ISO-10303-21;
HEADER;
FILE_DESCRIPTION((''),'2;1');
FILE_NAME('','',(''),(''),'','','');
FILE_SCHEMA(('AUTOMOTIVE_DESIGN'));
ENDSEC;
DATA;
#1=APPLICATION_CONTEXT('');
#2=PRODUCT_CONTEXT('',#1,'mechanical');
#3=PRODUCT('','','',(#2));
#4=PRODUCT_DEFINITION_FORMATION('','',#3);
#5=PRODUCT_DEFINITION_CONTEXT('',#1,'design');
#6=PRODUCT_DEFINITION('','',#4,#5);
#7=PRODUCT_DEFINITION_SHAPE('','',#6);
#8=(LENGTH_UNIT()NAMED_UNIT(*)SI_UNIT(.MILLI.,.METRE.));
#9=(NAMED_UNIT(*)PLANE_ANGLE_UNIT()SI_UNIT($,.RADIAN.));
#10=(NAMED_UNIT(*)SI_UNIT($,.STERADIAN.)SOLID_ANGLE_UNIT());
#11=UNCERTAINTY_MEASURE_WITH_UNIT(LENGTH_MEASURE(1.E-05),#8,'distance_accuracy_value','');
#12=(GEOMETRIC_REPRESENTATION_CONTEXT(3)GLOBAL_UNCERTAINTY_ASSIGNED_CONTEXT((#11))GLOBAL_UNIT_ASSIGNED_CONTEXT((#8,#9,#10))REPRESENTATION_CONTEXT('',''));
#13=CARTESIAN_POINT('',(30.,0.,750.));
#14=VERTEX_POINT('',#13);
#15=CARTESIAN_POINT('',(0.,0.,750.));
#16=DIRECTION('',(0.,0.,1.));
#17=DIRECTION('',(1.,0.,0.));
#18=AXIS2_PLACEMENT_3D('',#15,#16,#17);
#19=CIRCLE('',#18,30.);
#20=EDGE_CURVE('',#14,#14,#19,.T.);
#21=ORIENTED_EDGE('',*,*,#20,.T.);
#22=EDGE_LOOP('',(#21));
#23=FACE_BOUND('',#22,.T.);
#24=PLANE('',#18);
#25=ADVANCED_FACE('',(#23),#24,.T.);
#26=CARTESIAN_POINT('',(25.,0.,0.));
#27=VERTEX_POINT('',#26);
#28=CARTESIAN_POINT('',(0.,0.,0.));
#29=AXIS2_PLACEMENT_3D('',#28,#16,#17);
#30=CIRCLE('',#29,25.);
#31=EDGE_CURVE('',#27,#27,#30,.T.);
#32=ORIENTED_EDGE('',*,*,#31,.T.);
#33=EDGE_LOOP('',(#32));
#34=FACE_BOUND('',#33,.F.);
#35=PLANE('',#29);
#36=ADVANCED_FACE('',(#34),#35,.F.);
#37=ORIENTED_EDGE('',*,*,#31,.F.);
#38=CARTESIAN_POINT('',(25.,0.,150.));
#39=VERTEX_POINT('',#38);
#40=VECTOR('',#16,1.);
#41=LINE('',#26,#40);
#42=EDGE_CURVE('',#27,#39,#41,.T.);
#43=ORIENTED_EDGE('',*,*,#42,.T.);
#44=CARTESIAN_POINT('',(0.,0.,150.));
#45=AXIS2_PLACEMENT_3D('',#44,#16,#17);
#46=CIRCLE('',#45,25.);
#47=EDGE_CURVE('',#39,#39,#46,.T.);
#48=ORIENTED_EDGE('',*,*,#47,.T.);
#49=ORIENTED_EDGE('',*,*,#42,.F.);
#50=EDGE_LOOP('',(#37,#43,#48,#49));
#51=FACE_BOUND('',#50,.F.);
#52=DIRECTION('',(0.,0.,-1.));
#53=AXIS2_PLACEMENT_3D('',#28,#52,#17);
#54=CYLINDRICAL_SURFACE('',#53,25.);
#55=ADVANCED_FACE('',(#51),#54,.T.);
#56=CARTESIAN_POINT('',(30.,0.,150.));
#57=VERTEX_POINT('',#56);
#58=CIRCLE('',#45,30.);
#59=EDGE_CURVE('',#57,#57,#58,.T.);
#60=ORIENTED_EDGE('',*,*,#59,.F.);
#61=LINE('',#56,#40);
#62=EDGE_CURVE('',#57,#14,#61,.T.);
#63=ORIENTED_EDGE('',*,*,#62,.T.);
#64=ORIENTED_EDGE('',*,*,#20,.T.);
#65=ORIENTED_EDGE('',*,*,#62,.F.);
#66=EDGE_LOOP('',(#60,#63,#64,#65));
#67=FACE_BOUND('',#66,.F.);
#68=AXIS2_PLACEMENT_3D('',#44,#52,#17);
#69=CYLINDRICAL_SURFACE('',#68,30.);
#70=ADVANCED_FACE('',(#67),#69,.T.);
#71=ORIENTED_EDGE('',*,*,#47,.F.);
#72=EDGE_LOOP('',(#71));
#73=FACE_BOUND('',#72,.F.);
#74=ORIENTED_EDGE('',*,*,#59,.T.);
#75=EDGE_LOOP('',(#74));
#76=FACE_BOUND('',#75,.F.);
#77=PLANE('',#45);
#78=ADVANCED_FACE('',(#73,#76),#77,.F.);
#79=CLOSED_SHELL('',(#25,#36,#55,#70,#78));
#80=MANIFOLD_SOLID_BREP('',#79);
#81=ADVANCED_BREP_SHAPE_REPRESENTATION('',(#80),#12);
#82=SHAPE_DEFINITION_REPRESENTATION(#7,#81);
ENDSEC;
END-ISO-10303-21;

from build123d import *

# Parameters (mm, degrees)
F0_R     = 25
F1_DEPTH = 750
F2_START = 150
F0_R_2   = 30
F2_DEPTH = 600


with BuildPart() as f1:
    # F0 (on Top) → F1 (new body)
    with BuildSketch(Plane.XY):
        Circle(F0_R)
    extrude(amount=F1_DEPTH)

    # F0 (on Top) → F2 (join)
    with BuildSketch(Plane.XY.offset(F2_START)):
        Circle(F0_R_2)
        Circle(F0_R, mode=Mode.SUBTRACT)
    extrude(amount=F2_DEPTH)


solid = f1.part
